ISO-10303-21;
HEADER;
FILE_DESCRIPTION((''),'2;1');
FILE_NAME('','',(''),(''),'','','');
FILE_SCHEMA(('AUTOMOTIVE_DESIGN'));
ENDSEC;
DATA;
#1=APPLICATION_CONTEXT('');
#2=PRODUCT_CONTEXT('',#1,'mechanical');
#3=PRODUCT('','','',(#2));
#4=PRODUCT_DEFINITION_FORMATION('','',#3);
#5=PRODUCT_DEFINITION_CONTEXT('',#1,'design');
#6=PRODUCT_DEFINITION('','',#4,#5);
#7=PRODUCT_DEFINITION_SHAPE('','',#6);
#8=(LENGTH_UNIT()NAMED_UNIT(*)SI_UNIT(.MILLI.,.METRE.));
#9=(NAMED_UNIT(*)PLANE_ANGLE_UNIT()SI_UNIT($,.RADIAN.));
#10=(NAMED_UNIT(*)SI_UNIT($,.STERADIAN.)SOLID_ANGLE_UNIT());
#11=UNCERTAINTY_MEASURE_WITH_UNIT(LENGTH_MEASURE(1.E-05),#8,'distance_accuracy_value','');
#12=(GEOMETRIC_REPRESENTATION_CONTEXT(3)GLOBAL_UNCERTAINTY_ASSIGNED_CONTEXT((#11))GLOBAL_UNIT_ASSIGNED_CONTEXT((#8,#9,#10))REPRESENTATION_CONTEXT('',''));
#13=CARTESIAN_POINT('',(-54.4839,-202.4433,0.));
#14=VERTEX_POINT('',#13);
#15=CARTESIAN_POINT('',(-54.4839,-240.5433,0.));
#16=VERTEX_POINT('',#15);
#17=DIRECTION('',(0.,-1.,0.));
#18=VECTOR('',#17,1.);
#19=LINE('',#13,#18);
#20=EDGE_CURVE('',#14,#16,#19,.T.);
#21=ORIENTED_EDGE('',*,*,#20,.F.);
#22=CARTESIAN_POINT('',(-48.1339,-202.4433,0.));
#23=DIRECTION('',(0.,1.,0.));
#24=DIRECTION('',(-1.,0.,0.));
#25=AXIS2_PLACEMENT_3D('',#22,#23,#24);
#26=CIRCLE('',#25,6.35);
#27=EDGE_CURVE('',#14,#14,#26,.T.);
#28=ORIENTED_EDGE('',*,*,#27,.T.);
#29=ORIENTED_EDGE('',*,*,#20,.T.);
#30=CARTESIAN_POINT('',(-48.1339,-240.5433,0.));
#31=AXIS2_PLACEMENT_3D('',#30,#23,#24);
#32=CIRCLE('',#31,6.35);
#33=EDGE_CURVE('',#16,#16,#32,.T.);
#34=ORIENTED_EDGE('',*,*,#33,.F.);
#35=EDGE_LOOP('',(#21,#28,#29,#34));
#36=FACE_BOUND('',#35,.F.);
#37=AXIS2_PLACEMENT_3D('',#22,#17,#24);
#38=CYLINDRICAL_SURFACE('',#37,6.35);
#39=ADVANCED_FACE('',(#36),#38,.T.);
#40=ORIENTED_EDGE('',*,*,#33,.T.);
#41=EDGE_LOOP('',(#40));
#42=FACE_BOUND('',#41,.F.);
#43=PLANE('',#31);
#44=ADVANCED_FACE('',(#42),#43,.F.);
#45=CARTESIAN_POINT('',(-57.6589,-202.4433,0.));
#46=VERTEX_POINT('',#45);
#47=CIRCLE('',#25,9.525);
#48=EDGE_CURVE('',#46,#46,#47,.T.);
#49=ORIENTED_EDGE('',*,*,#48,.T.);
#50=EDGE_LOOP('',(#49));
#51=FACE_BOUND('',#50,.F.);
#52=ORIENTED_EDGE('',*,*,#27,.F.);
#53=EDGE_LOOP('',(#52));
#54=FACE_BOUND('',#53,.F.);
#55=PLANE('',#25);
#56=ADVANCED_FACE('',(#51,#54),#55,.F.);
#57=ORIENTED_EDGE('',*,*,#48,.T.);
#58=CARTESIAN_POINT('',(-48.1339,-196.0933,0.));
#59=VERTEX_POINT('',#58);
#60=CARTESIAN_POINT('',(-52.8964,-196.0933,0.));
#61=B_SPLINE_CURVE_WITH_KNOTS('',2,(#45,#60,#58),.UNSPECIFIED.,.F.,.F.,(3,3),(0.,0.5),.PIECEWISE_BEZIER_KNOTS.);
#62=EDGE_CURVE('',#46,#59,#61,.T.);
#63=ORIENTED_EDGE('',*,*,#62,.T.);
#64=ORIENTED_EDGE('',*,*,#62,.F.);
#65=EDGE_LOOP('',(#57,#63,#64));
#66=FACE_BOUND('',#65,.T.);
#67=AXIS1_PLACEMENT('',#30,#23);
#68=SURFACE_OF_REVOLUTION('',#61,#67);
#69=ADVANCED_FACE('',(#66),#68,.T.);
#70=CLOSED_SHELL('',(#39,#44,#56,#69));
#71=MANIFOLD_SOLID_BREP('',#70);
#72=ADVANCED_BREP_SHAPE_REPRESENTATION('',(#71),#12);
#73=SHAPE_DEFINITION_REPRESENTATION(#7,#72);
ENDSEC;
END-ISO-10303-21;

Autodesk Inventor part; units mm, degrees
ref_plane "YZ Plane" through (0, 0, 0) normal (1, 0, 0) x (0, 1, 0)
ref_plane "XZ Plane" through (0, 0, 0) normal (0, 1, 0) x (-1, 0, 0)
ref_plane "XY Plane" through (0, 0, 0) normal (0, 0, 1) x (1, 0, 0)
sketch "Sketch1" plane through (0, 0, 0) normal (0, 0, 1) x (1, 0, 0)
  spline S0 degree 2 poles (-57.6589, -202.4433) (-52.8964, -196.0933) (-48.1339, -196.0933) knots 0 0 0 0.5 0.5 0.5
  line L0 (-57.6589, -202.4433) -> (-54.4839, -202.4433)
  line L1 (-54.4839, -202.4433) -> (-54.4839, -240.5433)
  line L2 (-54.4839, -240.5433) -> (-48.1339, -240.5433)
  line L3 (-48.1339, -240.5433) -> (-48.1339, -196.0933)
  line L4 (-57.6589, -202.4433) -> (-38.6089, -202.4433) construction
  line L5 (-38.6089, -202.4433) -> (-57.6589, -202.4433) construction
  line L6 (-49.7061, -196.0933) -> (-46.5617, -196.0933) construction
  arc A0 (-46.8952, -196.2015) -> (-49.3726, -196.2015) centre (-48.1339, -203.237) ccw construction
  point P0 (0, 0)
  dimension "d0" = 6.35
  dimension "d3" = 6.35
  dimension "d4" = 9.525
  dimension "d5" = 9.525
  dimension "d6" = 38.1
revolve "Revolution1" add sketch "Sketch1" angle 360 about axis through (-48.1339, -240.5433, 0) along (0, 1, 0)
equation "\"d5\" = d4"
properties part number "pin"
